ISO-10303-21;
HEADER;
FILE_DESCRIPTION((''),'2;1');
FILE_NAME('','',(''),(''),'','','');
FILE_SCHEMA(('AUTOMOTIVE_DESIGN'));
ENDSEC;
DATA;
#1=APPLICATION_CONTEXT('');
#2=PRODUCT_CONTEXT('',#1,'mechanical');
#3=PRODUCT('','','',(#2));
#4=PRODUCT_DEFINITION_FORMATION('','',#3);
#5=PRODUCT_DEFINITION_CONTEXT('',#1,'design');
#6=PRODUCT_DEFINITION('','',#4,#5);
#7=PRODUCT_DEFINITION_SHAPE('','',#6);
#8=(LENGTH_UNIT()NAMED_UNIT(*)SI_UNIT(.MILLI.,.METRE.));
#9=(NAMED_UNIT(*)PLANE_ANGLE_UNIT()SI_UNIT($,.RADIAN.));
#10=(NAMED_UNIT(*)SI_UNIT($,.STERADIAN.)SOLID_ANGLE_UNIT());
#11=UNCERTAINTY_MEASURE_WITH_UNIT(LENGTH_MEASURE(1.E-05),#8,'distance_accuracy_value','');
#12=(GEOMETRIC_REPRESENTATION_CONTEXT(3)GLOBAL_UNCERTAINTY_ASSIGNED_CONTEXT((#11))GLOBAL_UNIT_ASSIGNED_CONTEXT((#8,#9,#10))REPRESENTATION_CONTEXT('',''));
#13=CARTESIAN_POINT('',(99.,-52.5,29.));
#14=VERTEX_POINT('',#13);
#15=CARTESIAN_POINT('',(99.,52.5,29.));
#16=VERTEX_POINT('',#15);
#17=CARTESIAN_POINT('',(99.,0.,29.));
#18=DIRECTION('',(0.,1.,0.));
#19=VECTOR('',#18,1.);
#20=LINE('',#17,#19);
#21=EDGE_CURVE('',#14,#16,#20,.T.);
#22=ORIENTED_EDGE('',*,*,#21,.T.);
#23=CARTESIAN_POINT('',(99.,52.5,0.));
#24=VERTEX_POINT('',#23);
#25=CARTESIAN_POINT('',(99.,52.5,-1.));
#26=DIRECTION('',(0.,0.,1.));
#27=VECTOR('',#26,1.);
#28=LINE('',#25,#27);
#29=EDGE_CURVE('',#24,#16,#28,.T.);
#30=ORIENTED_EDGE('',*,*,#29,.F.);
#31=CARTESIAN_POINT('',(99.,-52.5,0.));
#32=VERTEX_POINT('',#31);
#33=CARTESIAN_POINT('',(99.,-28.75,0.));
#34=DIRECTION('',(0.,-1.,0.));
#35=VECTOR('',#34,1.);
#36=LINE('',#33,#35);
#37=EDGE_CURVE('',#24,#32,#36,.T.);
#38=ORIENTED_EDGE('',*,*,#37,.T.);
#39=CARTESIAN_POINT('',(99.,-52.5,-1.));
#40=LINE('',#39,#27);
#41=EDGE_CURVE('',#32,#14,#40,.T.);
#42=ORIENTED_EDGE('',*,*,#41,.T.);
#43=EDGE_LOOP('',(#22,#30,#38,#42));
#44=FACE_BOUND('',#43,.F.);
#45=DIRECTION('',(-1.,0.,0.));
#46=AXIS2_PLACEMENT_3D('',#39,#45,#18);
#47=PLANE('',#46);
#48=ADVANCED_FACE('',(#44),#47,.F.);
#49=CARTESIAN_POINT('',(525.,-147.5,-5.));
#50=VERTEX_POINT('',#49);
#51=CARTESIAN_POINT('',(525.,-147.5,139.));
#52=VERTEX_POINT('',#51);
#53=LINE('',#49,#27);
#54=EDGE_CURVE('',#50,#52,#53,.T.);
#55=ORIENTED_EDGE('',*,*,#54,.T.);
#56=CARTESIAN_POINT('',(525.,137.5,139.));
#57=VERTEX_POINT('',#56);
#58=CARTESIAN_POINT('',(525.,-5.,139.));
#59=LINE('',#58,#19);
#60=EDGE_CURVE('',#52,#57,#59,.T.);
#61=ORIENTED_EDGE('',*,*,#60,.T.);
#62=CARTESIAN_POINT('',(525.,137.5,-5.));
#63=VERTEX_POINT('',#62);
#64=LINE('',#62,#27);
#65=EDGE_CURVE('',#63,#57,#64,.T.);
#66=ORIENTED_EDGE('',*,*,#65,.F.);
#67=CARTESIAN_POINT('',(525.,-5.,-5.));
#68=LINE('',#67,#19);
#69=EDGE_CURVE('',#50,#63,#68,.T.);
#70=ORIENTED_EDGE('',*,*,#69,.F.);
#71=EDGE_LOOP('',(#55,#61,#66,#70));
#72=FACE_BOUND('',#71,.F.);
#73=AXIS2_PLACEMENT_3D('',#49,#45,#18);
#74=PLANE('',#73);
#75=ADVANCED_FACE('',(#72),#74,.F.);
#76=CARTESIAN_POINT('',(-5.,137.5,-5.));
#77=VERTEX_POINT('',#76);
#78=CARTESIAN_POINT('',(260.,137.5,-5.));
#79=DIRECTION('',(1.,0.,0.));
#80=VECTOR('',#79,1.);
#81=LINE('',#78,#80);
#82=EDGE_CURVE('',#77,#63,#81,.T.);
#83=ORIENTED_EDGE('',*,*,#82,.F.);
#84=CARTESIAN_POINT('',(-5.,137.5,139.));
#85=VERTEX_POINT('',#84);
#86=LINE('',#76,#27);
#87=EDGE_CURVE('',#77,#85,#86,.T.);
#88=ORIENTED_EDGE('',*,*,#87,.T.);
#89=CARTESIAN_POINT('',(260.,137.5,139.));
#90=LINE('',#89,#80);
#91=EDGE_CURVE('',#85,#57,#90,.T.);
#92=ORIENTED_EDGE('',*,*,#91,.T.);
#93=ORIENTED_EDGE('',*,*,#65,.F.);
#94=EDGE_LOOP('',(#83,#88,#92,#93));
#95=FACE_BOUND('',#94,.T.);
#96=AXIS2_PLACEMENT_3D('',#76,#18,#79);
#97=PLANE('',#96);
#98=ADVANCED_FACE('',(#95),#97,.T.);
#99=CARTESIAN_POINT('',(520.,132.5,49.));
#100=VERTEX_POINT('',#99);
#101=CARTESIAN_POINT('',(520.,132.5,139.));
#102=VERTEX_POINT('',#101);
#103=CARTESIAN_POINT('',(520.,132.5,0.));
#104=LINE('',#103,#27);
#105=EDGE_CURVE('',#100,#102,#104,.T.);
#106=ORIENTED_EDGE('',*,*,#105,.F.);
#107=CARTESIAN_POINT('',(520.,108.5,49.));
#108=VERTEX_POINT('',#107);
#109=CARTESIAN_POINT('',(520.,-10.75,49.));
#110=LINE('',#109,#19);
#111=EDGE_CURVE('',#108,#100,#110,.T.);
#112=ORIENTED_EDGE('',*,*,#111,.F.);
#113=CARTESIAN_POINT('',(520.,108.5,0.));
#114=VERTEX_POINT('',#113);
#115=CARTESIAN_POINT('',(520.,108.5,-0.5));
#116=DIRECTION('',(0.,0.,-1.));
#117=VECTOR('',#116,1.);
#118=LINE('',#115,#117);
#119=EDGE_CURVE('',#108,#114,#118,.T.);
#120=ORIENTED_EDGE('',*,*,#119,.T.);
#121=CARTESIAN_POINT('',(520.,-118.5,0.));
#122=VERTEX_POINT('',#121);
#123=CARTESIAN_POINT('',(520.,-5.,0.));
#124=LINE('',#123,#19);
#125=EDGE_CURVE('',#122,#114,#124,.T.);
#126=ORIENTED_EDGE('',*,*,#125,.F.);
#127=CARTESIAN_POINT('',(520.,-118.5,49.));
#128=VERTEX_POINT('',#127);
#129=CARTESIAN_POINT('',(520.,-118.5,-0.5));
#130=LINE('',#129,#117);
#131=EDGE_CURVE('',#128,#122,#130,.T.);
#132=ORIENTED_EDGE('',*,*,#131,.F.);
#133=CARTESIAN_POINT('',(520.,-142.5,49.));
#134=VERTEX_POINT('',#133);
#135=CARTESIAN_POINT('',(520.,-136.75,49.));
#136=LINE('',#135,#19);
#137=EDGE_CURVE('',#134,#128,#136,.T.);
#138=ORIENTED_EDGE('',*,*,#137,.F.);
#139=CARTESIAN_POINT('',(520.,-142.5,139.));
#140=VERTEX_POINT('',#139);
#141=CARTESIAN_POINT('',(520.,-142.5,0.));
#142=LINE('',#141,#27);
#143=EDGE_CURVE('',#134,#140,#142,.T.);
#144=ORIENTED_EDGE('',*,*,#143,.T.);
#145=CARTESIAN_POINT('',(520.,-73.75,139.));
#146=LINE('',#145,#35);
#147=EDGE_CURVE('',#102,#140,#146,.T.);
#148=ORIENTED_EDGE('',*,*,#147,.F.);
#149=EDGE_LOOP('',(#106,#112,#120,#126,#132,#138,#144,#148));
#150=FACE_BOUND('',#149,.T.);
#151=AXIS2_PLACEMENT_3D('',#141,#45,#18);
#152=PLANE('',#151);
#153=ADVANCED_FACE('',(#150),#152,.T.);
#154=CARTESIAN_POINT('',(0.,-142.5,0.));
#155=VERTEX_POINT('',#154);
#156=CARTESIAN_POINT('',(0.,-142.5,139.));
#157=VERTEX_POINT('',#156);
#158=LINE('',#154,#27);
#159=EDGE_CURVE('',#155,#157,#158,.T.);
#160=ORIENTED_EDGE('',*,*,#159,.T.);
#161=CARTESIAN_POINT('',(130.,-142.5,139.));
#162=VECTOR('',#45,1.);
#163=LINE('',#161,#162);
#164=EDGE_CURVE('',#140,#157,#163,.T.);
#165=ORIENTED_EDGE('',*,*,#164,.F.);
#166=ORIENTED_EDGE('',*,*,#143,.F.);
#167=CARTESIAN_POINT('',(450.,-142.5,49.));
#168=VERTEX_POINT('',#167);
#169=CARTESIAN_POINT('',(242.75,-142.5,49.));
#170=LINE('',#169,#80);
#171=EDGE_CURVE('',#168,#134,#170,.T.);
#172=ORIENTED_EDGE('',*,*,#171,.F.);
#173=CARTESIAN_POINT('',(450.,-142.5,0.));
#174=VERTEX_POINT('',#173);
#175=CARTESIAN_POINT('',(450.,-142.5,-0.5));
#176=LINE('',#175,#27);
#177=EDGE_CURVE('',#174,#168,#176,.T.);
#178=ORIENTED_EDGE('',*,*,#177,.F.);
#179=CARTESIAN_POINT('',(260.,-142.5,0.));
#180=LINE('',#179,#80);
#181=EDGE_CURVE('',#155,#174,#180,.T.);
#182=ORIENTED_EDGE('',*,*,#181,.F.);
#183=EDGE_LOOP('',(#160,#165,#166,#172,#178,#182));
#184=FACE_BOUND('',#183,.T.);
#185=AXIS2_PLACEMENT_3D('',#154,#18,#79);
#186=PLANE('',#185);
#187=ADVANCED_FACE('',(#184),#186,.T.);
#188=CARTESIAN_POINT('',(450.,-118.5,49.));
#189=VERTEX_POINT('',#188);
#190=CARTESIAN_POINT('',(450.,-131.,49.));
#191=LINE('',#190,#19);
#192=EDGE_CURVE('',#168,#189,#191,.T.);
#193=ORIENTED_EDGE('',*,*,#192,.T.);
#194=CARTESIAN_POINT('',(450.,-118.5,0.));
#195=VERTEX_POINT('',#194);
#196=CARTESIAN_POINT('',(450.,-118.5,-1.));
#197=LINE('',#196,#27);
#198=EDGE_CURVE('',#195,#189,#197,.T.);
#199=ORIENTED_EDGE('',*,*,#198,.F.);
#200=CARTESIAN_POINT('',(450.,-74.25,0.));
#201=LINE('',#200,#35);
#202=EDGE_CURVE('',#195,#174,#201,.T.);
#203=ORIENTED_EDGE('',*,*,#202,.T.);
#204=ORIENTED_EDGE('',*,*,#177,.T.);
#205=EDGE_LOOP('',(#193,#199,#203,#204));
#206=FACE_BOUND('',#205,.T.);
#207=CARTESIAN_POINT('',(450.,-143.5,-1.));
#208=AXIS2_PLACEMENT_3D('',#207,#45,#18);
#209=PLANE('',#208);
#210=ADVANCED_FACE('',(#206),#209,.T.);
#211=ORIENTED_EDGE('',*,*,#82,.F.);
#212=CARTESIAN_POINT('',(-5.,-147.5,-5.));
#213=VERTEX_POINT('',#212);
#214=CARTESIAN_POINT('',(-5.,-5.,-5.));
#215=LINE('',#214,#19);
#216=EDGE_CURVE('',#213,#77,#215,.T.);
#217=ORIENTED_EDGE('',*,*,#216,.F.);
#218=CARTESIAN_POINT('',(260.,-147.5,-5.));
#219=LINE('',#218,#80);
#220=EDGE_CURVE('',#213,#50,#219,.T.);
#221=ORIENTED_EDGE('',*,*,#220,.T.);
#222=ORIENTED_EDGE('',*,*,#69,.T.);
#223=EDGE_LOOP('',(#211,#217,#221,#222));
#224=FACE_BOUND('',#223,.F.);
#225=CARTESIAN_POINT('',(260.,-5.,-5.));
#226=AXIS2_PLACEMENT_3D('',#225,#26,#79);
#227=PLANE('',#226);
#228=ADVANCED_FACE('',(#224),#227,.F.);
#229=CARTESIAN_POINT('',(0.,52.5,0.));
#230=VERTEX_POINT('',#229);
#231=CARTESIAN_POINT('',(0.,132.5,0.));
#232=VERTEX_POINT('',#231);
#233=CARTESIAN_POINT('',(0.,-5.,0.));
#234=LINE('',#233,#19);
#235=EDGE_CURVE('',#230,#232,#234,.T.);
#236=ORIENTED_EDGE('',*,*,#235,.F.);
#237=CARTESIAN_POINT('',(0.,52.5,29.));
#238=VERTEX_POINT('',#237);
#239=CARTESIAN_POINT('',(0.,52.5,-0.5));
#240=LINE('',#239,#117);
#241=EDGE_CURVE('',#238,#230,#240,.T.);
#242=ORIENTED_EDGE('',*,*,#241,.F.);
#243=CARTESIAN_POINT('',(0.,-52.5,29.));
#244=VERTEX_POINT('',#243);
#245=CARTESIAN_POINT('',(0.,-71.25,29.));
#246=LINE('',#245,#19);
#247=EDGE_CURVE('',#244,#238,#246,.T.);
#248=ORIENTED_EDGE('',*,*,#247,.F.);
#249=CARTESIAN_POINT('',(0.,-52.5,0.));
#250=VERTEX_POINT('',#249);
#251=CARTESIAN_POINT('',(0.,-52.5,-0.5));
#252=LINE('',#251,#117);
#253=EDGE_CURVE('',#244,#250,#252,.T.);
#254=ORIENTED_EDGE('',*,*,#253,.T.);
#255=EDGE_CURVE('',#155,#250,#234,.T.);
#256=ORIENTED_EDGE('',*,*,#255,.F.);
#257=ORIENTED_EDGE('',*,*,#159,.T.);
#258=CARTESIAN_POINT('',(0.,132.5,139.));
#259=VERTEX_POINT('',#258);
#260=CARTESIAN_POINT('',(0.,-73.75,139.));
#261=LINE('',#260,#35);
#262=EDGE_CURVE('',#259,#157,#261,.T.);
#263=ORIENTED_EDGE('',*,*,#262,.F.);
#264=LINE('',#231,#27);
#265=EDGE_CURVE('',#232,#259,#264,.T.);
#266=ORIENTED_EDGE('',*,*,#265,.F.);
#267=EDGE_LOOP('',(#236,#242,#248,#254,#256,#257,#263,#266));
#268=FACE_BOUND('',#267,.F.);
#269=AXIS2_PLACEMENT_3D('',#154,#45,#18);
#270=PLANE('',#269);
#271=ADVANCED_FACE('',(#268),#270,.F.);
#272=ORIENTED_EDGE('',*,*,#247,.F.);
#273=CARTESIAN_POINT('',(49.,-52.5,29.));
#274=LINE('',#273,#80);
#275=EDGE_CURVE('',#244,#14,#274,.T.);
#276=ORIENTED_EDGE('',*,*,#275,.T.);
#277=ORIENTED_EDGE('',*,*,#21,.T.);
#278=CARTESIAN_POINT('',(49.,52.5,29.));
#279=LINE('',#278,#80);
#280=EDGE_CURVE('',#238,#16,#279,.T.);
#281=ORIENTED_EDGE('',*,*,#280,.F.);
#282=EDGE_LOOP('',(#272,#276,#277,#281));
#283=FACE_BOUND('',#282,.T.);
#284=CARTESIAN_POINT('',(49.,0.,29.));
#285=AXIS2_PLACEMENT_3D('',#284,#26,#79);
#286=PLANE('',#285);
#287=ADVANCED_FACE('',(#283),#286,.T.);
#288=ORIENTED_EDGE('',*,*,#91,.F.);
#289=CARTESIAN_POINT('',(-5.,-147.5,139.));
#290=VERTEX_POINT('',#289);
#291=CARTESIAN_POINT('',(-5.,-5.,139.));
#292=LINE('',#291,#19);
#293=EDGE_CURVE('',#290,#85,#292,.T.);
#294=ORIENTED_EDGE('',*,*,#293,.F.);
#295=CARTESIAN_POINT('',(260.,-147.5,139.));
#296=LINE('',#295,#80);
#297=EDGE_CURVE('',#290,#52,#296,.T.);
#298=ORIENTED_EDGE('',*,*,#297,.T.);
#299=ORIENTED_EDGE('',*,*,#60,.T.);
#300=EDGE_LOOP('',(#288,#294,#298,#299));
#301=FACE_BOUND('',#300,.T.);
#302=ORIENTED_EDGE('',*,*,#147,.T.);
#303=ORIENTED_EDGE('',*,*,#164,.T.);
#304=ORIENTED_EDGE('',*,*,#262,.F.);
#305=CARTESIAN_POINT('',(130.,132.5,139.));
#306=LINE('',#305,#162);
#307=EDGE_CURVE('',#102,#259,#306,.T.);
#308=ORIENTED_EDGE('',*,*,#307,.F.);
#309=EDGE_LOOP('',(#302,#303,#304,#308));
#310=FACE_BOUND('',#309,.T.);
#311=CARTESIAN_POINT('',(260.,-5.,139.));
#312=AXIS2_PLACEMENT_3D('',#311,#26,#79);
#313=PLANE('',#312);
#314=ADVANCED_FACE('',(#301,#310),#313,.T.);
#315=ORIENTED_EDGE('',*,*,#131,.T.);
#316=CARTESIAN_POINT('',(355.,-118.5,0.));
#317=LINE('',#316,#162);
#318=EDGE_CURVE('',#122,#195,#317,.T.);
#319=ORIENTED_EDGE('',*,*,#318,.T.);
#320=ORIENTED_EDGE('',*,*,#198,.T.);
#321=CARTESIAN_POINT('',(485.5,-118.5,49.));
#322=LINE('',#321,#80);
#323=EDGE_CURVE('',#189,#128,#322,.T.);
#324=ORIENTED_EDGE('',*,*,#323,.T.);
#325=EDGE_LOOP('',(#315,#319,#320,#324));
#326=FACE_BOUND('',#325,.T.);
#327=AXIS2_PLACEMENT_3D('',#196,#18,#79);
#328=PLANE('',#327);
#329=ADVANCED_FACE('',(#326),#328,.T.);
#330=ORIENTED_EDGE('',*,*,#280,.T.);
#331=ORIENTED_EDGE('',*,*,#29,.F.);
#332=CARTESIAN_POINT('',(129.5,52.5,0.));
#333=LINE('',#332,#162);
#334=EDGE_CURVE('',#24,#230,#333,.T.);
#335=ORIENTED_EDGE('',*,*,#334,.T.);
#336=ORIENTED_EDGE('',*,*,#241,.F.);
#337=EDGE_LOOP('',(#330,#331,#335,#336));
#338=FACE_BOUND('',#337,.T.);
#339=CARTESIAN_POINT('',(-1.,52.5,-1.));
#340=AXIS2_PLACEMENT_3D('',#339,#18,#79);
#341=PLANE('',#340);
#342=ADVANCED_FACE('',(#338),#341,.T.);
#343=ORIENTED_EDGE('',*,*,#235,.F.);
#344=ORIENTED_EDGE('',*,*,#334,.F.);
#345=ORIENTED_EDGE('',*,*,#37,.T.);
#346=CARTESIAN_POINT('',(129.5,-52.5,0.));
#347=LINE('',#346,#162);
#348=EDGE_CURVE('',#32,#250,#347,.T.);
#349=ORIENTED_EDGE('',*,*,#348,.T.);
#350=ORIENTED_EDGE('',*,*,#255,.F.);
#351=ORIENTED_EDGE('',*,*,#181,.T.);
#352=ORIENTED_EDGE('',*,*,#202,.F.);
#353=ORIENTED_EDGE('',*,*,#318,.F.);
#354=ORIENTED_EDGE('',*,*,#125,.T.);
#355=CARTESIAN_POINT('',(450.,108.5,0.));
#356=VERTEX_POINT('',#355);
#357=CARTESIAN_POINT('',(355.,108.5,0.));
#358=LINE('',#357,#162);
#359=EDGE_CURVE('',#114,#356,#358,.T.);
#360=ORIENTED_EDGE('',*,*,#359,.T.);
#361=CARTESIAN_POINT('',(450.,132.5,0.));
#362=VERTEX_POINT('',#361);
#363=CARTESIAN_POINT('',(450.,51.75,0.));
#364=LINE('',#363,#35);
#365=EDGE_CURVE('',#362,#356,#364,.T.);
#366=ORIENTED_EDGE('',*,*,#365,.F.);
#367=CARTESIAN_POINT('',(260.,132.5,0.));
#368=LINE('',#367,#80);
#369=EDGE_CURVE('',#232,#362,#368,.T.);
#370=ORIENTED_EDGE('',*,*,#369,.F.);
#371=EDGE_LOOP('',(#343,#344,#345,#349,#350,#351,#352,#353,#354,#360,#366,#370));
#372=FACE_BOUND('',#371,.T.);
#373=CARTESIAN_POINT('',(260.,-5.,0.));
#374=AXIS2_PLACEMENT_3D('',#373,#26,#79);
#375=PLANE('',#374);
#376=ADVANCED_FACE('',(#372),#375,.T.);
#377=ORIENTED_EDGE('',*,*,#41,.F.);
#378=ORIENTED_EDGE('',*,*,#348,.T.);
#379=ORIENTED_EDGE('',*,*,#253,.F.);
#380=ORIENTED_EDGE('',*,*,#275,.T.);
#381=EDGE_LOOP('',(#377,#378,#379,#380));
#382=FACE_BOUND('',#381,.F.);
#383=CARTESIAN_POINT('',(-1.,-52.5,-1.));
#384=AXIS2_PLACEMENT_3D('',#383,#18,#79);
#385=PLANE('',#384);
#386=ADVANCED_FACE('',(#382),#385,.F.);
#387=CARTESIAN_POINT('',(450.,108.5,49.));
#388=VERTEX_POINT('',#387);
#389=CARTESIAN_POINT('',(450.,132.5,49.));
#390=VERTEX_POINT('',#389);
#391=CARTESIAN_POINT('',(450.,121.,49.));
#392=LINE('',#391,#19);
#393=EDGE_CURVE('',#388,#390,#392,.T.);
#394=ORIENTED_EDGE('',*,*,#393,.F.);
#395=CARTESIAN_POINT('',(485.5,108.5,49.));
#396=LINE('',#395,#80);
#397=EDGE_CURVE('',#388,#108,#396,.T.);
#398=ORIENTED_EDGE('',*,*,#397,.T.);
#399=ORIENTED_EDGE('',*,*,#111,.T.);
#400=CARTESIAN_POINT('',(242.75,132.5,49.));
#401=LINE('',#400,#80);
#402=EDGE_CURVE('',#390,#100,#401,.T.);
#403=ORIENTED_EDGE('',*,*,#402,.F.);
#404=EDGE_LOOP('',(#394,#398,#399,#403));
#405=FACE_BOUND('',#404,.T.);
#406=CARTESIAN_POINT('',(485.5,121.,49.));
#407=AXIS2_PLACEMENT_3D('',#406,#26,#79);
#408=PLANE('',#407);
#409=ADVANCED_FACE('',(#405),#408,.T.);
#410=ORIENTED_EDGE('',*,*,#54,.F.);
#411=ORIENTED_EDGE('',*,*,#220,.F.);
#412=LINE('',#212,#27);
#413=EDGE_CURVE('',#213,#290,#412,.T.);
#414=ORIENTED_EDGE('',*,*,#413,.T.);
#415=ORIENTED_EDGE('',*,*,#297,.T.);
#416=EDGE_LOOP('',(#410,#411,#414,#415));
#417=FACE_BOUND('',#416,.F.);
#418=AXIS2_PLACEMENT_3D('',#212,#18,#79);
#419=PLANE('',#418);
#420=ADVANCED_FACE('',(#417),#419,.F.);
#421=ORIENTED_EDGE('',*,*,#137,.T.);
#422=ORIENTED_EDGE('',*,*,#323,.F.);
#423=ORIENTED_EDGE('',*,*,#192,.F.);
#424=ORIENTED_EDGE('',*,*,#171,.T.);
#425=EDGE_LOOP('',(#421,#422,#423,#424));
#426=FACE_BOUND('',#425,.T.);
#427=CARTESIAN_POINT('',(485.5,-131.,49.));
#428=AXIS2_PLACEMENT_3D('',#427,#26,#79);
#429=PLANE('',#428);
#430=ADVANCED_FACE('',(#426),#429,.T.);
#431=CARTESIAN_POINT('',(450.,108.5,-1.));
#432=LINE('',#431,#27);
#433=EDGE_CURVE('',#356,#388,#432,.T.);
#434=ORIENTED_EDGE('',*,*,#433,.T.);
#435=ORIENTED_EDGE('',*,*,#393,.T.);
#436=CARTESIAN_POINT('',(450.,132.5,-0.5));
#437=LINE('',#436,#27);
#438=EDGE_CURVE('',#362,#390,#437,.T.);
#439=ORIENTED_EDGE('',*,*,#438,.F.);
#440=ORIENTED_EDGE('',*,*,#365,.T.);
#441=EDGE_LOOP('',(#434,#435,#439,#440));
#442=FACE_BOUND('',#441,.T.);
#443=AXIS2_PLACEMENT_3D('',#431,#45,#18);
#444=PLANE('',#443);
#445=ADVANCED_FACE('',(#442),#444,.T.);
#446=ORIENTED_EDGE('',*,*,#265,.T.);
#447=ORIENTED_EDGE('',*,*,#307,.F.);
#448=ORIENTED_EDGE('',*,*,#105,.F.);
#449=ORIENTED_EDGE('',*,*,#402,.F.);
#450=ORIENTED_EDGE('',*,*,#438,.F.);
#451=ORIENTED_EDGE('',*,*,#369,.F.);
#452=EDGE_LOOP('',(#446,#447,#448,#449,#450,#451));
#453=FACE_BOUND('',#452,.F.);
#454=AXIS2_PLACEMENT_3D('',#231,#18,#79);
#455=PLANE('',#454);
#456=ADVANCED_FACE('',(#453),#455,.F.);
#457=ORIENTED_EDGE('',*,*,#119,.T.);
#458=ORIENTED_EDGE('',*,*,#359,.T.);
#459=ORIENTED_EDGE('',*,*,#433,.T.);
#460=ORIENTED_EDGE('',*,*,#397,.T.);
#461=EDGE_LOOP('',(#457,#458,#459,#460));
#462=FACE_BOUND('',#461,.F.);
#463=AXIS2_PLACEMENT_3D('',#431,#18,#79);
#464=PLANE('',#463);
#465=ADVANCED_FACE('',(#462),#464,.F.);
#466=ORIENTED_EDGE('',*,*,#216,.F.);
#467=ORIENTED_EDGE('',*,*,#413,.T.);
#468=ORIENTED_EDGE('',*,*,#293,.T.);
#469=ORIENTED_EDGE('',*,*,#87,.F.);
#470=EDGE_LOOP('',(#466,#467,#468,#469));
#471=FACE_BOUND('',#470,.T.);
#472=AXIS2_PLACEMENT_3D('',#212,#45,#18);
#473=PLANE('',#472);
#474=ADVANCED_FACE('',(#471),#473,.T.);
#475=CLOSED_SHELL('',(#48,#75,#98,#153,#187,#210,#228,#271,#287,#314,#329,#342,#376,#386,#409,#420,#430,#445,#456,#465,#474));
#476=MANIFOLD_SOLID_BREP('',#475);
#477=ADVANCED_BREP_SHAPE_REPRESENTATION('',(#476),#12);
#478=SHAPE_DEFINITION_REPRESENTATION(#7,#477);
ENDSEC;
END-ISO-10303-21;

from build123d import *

# Parameters (mm, degrees)
BOX003_W     = 71
BOX003_H     = 25
BOX003_DEPTH = 50
BOX004_W     = 71
BOX004_H     = 25
BOX004_DEPTH = 50
BOX002_W     = 100
BOX002_H     = 105
BOX002_DEPTH = 30
BOX001_W     = 520
BOX001_H     = 275
BOX001_DEPTH = 140
BOX005_W     = 530
BOX005_H     = 285
BOX005_DEPTH = 144


with BuildPart() as wheelhole1:
    # Box003 → Box003 (new body)
    with BuildSketch(Plane(origin=(450, -1, -1), x_dir=(1, 0, 0), z_dir=(0, 0, 1))):
        with Locations((35.5, 12.5)):
            Rectangle(BOX003_W, BOX003_H)
    extrude(amount=BOX003_DEPTH)


with BuildPart() as wheelhole2:
    # Box004 → Box004 (new body)
    with BuildSketch(Plane(origin=(450, 251, -1), x_dir=(1, 0, 0), z_dir=(0, 0, 1))):
        with Locations((35.5, 12.5)):
            Rectangle(BOX004_W, BOX004_H)
    extrude(amount=BOX004_DEPTH)


with BuildPart() as fusion:
    # Box002 → Box002 (new body)
    with BuildSketch(Plane(origin=(-1, 90, -1), x_dir=(1, 0, 0), z_dir=(0, 0, 1))):
        with Locations((50, 52.5)):
            Rectangle(BOX002_W, BOX002_H)
    extrude(amount=BOX002_DEPTH)

    # Fusion: union wheelhole1, wheelhole2
    add(wheelhole1.part)
    add(wheelhole2.part)


with BuildPart() as cavity:
    # Box001 → Box001 (new body)
    with BuildSketch(Plane.XY):
        with Locations((260, 137.5)):
            Rectangle(BOX001_W, BOX001_H)
    extrude(amount=BOX001_DEPTH)

    # Cut: cut Fusion
    add(fusion.part, mode=Mode.SUBTRACT)


with BuildPart() as suitcase:
    # Box005 → Box005 (new body)
    with BuildSketch(Plane(origin=(-5, -5, -5), x_dir=(1, 0, 0), z_dir=(0, 0, 1))):
        with Locations((265, 142.5)):
            Rectangle(BOX005_W, BOX005_H)
    extrude(amount=BOX005_DEPTH)

    # Cut001: cut cavity
    add(cavity.part, mode=Mode.SUBTRACT)


with BuildPart() as suitcase_1:
    # Cut001 placement: moved
    add(suitcase.part.moved(Location((0, -142.5, 0))))


solid = suitcase_1.part
